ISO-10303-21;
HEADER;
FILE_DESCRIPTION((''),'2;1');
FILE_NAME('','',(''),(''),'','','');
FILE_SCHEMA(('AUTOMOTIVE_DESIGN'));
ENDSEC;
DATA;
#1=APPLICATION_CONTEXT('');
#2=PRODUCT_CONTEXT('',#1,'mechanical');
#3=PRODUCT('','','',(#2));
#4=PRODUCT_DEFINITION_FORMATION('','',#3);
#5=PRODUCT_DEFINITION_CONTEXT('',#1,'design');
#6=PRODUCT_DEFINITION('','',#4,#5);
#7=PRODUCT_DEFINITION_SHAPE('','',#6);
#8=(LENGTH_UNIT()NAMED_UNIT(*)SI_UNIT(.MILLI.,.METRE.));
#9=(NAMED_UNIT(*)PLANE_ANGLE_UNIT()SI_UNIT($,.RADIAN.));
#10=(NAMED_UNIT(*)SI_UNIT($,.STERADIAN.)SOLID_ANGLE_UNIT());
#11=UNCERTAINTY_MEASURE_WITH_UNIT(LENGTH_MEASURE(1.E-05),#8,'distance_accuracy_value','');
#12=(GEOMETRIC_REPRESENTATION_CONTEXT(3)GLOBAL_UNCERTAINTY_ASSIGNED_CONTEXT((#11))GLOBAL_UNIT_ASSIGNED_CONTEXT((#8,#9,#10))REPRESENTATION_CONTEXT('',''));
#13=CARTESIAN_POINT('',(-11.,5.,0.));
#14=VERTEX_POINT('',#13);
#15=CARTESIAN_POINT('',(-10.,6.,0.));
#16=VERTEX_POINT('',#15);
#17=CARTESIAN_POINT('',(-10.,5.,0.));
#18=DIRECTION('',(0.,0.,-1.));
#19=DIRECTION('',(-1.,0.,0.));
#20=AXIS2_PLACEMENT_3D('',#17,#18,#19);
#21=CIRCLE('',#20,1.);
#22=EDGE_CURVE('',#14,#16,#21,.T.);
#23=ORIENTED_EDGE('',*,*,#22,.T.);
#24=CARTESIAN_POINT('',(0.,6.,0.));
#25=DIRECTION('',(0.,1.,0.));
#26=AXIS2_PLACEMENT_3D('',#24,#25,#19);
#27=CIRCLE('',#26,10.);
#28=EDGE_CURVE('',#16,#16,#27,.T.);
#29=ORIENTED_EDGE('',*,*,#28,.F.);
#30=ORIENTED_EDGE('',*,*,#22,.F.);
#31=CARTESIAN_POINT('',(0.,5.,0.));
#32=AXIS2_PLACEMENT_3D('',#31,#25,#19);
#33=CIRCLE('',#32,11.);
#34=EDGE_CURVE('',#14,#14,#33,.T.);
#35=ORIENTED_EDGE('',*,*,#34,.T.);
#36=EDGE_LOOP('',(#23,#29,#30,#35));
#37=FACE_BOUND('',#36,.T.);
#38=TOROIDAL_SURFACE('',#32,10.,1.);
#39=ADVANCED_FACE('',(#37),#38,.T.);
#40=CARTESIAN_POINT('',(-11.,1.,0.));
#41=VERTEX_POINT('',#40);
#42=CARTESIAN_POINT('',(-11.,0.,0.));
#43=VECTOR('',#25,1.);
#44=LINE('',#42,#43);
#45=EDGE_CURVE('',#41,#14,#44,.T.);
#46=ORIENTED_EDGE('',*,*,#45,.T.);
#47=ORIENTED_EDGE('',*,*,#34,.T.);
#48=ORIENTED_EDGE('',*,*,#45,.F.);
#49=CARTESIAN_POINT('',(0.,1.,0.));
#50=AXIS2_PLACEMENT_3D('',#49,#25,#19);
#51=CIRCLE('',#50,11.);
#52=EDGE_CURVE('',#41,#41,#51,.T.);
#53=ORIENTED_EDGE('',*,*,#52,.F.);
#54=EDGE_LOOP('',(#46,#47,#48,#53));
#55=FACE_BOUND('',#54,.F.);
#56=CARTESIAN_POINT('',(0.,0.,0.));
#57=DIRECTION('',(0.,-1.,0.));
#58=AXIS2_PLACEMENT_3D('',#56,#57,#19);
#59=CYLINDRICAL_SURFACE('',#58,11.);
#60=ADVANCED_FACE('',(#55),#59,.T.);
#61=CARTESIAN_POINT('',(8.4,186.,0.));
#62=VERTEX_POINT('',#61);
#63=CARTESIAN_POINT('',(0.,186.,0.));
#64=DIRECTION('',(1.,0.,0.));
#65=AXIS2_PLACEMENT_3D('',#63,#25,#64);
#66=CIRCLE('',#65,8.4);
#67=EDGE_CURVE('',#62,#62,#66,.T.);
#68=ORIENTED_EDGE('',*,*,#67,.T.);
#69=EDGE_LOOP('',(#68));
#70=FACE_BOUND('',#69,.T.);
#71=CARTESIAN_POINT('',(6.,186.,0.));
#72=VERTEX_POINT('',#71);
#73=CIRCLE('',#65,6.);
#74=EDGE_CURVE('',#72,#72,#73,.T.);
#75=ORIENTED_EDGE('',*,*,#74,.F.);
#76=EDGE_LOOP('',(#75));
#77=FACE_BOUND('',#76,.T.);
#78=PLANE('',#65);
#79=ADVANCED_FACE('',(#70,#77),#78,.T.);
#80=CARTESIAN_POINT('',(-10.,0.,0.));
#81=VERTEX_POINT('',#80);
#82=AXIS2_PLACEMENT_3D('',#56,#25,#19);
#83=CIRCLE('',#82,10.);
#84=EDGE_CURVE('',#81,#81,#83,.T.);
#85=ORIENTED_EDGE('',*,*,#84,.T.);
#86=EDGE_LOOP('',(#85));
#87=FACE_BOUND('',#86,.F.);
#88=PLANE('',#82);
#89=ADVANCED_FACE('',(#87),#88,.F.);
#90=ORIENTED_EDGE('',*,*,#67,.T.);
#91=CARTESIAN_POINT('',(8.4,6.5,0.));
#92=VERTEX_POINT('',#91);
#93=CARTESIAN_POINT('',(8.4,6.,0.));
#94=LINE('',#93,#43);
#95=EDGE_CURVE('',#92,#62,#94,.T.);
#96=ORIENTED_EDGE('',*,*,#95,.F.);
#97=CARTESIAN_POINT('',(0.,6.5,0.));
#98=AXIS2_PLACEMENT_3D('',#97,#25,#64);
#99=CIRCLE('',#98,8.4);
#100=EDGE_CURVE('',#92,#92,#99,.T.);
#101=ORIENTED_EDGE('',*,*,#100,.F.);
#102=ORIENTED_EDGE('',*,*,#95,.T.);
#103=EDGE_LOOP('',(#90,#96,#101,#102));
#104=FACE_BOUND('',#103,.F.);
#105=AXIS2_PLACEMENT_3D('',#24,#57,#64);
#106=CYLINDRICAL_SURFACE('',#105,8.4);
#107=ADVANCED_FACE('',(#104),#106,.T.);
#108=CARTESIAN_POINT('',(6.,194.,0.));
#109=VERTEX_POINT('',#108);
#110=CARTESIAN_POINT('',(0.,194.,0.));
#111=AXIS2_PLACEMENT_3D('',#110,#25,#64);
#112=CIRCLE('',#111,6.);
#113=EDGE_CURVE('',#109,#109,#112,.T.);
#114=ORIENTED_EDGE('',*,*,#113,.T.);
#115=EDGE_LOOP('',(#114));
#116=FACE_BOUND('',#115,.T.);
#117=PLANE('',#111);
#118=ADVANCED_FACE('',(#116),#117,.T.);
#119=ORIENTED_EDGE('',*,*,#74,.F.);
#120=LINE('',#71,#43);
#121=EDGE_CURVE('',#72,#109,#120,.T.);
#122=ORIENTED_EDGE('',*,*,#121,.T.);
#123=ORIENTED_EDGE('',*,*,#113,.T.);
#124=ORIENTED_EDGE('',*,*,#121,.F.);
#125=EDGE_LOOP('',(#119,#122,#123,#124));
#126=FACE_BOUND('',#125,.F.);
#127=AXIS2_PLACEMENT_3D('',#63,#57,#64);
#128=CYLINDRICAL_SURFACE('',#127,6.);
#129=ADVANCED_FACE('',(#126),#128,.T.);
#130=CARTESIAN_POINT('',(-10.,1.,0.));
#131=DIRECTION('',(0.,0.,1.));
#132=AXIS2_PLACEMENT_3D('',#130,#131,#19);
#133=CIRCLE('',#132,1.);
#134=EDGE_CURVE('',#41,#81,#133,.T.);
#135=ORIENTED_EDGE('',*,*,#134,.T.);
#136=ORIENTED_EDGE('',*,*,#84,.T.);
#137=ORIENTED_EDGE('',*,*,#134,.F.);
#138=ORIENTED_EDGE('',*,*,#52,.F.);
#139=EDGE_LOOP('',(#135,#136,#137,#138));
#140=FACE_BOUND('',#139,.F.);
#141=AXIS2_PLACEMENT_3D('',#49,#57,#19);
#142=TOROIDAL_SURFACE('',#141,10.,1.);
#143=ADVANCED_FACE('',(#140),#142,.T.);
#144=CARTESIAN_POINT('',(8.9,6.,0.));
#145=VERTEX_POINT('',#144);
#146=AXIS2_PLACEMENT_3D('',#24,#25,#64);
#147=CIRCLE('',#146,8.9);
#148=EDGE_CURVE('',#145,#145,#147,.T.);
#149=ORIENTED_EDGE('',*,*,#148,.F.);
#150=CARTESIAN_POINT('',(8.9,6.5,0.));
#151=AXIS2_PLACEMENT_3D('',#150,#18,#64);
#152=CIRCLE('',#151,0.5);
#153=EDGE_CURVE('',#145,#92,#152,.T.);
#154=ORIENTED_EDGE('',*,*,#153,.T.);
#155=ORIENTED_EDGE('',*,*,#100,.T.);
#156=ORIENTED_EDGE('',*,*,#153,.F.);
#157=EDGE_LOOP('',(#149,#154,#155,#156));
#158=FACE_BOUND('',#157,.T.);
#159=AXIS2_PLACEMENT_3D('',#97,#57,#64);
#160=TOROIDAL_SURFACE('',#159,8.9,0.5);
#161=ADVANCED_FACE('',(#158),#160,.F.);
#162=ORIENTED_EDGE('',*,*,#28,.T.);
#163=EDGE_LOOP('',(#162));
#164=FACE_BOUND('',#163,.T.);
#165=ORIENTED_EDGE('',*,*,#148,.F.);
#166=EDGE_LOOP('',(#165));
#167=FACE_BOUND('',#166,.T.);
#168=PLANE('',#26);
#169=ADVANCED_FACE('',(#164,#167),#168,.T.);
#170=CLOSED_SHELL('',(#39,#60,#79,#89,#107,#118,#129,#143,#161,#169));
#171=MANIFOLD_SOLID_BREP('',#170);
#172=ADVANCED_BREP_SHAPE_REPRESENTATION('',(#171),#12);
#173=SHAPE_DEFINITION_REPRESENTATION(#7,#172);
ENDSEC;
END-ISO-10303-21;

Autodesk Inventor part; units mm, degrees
ref_plane "YZ Plane" through (0, 0, 0) normal (1, 0, 0) x (0, 1, 0)
ref_plane "XZ Plane" through (0, 0, 0) normal (0, 1, 0) x (-1, 0, 0)
ref_plane "XY Plane" through (0, 0, 0) normal (0, 0, 1) x (1, 0, 0)
sketch "Sketch1" plane through (0, 0, 0) normal (0, 1, 0) x (-1, 0, 0)
  circle A0 centre (0, 0) radius 11
  dimension "d0" = 22
extrude "Extrusion1" add sketch "Sketch1" along normal blind 6
sketch "Sketch2" plane through (0, 6, 0) normal (0, 1, 0) x (1, 0, 0)
  circle A0 centre (0, 0) radius 8.4
  dimension "d3" = 16.8
extrude "Extrusion2" add sketch "Sketch2" along normal blind 180
sketch "Sketch3" plane through (0, 186, 0) normal (0, 1, 0) x (1, 0, 0)
  circle A0 centre (0, 0) radius 6
  dimension "d6" = 12
extrude "Extrusion3" add sketch "Sketch3" along normal blind 8
fillet "Fillet1" radius 1 2 edges at (11, 0, 0) (11, 6, 0)
fillet "Fillet2" radius 0.5 1 edges at (-8.4, 6, 0)
properties part number "1"
